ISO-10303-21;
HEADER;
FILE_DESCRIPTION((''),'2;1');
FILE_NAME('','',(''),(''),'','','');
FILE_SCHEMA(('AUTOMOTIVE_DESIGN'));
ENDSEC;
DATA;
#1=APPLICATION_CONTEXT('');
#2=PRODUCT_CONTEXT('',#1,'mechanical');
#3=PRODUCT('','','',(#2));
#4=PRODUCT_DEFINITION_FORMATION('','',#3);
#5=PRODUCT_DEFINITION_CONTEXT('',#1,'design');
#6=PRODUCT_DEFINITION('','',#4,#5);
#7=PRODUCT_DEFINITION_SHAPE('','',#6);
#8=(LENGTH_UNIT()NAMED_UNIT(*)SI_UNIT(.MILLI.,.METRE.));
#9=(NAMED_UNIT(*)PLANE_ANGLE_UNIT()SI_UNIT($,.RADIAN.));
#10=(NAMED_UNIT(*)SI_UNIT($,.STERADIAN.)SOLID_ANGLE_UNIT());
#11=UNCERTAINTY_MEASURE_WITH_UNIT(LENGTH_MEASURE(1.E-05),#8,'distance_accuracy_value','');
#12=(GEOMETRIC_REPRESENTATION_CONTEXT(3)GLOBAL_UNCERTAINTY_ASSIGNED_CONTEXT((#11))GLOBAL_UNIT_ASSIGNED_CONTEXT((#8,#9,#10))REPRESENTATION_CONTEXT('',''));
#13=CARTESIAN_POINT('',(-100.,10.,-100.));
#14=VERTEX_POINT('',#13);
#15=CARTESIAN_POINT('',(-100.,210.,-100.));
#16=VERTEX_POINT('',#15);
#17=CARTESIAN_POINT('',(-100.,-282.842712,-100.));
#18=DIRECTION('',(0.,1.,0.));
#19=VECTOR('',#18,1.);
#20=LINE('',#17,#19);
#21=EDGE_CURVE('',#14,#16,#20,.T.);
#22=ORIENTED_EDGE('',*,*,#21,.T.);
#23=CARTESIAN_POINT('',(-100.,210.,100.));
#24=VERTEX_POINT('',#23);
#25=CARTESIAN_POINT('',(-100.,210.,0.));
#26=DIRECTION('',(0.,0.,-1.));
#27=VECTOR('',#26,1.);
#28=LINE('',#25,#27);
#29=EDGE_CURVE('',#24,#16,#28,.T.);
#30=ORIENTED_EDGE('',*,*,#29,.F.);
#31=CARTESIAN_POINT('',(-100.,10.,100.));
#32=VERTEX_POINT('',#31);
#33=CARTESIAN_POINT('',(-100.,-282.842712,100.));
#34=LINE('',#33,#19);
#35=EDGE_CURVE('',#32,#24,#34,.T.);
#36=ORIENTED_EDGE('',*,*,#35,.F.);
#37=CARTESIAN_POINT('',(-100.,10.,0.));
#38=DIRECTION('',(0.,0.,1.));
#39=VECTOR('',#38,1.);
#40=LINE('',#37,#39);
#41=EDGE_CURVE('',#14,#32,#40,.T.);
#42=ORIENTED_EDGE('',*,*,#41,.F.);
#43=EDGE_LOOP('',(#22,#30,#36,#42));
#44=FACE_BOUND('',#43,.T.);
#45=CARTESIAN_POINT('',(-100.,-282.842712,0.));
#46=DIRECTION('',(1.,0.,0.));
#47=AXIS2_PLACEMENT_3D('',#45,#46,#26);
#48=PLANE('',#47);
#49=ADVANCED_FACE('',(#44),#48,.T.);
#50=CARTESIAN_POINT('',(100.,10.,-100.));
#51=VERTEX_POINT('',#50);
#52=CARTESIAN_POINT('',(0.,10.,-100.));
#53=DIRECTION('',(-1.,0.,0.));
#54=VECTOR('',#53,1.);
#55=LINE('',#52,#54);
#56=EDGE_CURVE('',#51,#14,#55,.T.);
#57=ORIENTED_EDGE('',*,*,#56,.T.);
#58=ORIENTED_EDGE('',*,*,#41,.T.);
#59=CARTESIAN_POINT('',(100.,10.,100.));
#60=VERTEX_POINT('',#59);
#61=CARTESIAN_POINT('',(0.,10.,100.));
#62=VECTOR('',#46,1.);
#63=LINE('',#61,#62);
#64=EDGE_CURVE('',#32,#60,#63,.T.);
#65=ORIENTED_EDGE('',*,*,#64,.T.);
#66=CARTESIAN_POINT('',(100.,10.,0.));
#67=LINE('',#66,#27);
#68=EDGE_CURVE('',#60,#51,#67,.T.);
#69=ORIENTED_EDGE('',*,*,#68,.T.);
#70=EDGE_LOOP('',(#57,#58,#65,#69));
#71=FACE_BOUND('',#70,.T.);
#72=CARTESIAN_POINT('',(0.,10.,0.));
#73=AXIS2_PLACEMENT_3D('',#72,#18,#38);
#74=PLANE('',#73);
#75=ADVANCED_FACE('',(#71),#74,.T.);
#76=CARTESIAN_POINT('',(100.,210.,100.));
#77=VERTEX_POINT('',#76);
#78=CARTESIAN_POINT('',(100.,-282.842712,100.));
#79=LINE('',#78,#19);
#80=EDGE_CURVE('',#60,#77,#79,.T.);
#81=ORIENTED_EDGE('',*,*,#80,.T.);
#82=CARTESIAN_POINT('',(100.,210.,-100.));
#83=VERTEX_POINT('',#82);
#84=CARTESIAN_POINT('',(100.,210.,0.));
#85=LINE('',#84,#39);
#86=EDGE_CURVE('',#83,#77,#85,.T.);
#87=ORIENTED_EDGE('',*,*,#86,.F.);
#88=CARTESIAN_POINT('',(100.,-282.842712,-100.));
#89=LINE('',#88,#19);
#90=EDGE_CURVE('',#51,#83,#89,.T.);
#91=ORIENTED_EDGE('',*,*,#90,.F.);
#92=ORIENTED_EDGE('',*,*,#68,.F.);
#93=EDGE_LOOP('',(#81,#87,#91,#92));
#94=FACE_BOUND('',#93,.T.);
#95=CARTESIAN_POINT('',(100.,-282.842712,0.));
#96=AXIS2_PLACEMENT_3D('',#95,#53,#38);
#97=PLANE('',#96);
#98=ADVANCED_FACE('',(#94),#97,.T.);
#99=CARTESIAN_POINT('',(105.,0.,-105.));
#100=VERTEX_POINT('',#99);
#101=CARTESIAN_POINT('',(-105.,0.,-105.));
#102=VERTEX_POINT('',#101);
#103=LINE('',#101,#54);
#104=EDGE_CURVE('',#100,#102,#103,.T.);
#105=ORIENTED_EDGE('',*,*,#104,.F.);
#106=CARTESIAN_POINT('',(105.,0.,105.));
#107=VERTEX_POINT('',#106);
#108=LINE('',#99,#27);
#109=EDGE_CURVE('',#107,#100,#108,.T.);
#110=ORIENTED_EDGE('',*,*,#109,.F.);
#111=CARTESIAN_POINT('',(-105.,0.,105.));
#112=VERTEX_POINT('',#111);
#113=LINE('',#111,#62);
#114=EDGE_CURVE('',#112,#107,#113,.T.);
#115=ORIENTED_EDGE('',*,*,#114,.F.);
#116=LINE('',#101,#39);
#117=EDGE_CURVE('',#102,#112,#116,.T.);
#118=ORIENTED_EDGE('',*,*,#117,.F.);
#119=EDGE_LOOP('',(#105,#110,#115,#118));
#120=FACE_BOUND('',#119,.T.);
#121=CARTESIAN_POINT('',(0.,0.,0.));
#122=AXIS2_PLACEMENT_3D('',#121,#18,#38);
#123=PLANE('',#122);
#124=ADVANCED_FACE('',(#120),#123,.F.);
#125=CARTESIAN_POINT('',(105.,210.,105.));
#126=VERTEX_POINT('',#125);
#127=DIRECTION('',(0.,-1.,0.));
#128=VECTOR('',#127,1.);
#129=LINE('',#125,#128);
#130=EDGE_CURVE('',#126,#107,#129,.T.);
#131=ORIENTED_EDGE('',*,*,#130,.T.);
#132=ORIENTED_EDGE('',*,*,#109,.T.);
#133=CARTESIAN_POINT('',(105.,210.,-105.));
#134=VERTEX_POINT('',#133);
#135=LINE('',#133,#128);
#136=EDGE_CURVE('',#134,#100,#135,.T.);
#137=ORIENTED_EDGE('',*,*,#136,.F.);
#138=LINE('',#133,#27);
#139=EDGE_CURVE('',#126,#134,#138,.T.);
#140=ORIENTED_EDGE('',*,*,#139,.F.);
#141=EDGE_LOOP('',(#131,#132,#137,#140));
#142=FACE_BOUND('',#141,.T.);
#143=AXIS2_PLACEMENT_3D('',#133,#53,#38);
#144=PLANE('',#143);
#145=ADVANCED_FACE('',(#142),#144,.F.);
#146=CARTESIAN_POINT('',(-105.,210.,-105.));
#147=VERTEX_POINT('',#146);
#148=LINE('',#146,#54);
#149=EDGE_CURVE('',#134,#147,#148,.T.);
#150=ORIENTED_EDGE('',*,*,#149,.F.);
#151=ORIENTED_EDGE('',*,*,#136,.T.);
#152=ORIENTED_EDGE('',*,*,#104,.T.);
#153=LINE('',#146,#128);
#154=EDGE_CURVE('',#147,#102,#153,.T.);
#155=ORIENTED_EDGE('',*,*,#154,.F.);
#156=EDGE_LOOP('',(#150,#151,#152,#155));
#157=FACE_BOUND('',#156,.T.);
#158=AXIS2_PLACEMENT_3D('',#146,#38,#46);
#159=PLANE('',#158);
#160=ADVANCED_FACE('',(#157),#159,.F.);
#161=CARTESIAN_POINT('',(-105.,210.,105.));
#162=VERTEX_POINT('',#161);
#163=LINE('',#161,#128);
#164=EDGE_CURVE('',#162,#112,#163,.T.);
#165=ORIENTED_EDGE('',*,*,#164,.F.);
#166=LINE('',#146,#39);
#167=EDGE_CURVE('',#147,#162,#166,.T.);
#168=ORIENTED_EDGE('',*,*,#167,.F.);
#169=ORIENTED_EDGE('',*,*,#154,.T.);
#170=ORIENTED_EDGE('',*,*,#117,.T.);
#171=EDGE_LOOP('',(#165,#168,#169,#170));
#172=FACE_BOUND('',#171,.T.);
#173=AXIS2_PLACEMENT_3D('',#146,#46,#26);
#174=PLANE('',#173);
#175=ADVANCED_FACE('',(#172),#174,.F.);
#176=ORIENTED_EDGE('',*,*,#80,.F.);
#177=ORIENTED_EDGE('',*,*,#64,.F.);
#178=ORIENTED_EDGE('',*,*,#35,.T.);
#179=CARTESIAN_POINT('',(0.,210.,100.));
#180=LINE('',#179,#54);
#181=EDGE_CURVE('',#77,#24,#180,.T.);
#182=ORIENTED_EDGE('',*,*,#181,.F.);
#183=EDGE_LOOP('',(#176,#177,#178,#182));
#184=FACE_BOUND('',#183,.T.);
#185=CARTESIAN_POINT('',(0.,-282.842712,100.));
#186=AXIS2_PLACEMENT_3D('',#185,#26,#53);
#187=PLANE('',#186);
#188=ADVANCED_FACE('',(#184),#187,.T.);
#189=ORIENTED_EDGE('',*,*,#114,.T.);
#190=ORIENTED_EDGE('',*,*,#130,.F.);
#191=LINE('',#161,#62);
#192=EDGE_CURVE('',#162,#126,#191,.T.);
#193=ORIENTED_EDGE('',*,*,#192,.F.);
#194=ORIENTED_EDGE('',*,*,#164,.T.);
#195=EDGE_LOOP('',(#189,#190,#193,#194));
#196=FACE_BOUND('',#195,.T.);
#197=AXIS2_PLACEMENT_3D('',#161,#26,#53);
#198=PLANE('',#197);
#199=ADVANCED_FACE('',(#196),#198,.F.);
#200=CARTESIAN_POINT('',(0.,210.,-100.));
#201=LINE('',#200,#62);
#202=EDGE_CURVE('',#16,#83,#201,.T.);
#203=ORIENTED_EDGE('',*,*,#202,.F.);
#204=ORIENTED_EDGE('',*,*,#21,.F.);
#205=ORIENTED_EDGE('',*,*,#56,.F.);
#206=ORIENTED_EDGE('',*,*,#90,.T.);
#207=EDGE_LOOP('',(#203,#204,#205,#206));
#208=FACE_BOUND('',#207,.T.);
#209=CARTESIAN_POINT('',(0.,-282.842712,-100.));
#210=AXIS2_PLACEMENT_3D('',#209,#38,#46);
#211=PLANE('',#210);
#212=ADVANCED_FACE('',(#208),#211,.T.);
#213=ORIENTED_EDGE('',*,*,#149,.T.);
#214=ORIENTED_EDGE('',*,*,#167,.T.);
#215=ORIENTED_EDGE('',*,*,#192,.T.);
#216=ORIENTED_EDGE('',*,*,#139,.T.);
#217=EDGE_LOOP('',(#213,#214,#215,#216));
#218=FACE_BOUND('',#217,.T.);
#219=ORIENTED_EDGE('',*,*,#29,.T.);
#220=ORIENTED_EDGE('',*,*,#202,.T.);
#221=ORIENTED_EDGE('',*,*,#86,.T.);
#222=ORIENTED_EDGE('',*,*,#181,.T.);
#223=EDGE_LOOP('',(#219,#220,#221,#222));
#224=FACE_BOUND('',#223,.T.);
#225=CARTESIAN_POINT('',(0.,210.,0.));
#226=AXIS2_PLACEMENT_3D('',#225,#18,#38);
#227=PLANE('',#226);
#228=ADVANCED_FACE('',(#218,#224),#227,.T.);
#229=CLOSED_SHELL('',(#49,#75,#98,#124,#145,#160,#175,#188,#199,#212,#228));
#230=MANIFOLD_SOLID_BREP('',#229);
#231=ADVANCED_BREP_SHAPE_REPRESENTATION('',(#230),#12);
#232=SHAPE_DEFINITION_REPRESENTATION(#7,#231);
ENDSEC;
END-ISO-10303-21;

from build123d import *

# Parameters (mm, degrees)
SKETCH_1_W          = 210
SKETCH_1_H          = 210
EXTRUDE_1_DEPTH     = 210
CUT_EXTRUDE_START   = 210
SKETCH_2_W          = 200
SKETCH_2_H          = 200
CUT_EXTRUDE_1_DEPTH = 200


with BuildPart() as part:
    # 草图1 → 凸台-拉伸1 (new body)
    with BuildSketch(Plane(origin=(0, 0, 0), x_dir=(1, 0, 0), z_dir=(0, 1, 0))):
        Rectangle(SKETCH_1_W, SKETCH_1_H)
    extrude(amount=EXTRUDE_1_DEPTH)

    # 草图2 → 切除-拉伸1 (cut)
    with BuildSketch(Plane(origin=(0, 0, 0), x_dir=(1, 0, 0), z_dir=(0, 1, 0)).offset(CUT_EXTRUDE_START)):
        Rectangle(SKETCH_2_W, SKETCH_2_H)
    extrude(amount=-CUT_EXTRUDE_1_DEPTH, mode=Mode.SUBTRACT)


solid = part.part
